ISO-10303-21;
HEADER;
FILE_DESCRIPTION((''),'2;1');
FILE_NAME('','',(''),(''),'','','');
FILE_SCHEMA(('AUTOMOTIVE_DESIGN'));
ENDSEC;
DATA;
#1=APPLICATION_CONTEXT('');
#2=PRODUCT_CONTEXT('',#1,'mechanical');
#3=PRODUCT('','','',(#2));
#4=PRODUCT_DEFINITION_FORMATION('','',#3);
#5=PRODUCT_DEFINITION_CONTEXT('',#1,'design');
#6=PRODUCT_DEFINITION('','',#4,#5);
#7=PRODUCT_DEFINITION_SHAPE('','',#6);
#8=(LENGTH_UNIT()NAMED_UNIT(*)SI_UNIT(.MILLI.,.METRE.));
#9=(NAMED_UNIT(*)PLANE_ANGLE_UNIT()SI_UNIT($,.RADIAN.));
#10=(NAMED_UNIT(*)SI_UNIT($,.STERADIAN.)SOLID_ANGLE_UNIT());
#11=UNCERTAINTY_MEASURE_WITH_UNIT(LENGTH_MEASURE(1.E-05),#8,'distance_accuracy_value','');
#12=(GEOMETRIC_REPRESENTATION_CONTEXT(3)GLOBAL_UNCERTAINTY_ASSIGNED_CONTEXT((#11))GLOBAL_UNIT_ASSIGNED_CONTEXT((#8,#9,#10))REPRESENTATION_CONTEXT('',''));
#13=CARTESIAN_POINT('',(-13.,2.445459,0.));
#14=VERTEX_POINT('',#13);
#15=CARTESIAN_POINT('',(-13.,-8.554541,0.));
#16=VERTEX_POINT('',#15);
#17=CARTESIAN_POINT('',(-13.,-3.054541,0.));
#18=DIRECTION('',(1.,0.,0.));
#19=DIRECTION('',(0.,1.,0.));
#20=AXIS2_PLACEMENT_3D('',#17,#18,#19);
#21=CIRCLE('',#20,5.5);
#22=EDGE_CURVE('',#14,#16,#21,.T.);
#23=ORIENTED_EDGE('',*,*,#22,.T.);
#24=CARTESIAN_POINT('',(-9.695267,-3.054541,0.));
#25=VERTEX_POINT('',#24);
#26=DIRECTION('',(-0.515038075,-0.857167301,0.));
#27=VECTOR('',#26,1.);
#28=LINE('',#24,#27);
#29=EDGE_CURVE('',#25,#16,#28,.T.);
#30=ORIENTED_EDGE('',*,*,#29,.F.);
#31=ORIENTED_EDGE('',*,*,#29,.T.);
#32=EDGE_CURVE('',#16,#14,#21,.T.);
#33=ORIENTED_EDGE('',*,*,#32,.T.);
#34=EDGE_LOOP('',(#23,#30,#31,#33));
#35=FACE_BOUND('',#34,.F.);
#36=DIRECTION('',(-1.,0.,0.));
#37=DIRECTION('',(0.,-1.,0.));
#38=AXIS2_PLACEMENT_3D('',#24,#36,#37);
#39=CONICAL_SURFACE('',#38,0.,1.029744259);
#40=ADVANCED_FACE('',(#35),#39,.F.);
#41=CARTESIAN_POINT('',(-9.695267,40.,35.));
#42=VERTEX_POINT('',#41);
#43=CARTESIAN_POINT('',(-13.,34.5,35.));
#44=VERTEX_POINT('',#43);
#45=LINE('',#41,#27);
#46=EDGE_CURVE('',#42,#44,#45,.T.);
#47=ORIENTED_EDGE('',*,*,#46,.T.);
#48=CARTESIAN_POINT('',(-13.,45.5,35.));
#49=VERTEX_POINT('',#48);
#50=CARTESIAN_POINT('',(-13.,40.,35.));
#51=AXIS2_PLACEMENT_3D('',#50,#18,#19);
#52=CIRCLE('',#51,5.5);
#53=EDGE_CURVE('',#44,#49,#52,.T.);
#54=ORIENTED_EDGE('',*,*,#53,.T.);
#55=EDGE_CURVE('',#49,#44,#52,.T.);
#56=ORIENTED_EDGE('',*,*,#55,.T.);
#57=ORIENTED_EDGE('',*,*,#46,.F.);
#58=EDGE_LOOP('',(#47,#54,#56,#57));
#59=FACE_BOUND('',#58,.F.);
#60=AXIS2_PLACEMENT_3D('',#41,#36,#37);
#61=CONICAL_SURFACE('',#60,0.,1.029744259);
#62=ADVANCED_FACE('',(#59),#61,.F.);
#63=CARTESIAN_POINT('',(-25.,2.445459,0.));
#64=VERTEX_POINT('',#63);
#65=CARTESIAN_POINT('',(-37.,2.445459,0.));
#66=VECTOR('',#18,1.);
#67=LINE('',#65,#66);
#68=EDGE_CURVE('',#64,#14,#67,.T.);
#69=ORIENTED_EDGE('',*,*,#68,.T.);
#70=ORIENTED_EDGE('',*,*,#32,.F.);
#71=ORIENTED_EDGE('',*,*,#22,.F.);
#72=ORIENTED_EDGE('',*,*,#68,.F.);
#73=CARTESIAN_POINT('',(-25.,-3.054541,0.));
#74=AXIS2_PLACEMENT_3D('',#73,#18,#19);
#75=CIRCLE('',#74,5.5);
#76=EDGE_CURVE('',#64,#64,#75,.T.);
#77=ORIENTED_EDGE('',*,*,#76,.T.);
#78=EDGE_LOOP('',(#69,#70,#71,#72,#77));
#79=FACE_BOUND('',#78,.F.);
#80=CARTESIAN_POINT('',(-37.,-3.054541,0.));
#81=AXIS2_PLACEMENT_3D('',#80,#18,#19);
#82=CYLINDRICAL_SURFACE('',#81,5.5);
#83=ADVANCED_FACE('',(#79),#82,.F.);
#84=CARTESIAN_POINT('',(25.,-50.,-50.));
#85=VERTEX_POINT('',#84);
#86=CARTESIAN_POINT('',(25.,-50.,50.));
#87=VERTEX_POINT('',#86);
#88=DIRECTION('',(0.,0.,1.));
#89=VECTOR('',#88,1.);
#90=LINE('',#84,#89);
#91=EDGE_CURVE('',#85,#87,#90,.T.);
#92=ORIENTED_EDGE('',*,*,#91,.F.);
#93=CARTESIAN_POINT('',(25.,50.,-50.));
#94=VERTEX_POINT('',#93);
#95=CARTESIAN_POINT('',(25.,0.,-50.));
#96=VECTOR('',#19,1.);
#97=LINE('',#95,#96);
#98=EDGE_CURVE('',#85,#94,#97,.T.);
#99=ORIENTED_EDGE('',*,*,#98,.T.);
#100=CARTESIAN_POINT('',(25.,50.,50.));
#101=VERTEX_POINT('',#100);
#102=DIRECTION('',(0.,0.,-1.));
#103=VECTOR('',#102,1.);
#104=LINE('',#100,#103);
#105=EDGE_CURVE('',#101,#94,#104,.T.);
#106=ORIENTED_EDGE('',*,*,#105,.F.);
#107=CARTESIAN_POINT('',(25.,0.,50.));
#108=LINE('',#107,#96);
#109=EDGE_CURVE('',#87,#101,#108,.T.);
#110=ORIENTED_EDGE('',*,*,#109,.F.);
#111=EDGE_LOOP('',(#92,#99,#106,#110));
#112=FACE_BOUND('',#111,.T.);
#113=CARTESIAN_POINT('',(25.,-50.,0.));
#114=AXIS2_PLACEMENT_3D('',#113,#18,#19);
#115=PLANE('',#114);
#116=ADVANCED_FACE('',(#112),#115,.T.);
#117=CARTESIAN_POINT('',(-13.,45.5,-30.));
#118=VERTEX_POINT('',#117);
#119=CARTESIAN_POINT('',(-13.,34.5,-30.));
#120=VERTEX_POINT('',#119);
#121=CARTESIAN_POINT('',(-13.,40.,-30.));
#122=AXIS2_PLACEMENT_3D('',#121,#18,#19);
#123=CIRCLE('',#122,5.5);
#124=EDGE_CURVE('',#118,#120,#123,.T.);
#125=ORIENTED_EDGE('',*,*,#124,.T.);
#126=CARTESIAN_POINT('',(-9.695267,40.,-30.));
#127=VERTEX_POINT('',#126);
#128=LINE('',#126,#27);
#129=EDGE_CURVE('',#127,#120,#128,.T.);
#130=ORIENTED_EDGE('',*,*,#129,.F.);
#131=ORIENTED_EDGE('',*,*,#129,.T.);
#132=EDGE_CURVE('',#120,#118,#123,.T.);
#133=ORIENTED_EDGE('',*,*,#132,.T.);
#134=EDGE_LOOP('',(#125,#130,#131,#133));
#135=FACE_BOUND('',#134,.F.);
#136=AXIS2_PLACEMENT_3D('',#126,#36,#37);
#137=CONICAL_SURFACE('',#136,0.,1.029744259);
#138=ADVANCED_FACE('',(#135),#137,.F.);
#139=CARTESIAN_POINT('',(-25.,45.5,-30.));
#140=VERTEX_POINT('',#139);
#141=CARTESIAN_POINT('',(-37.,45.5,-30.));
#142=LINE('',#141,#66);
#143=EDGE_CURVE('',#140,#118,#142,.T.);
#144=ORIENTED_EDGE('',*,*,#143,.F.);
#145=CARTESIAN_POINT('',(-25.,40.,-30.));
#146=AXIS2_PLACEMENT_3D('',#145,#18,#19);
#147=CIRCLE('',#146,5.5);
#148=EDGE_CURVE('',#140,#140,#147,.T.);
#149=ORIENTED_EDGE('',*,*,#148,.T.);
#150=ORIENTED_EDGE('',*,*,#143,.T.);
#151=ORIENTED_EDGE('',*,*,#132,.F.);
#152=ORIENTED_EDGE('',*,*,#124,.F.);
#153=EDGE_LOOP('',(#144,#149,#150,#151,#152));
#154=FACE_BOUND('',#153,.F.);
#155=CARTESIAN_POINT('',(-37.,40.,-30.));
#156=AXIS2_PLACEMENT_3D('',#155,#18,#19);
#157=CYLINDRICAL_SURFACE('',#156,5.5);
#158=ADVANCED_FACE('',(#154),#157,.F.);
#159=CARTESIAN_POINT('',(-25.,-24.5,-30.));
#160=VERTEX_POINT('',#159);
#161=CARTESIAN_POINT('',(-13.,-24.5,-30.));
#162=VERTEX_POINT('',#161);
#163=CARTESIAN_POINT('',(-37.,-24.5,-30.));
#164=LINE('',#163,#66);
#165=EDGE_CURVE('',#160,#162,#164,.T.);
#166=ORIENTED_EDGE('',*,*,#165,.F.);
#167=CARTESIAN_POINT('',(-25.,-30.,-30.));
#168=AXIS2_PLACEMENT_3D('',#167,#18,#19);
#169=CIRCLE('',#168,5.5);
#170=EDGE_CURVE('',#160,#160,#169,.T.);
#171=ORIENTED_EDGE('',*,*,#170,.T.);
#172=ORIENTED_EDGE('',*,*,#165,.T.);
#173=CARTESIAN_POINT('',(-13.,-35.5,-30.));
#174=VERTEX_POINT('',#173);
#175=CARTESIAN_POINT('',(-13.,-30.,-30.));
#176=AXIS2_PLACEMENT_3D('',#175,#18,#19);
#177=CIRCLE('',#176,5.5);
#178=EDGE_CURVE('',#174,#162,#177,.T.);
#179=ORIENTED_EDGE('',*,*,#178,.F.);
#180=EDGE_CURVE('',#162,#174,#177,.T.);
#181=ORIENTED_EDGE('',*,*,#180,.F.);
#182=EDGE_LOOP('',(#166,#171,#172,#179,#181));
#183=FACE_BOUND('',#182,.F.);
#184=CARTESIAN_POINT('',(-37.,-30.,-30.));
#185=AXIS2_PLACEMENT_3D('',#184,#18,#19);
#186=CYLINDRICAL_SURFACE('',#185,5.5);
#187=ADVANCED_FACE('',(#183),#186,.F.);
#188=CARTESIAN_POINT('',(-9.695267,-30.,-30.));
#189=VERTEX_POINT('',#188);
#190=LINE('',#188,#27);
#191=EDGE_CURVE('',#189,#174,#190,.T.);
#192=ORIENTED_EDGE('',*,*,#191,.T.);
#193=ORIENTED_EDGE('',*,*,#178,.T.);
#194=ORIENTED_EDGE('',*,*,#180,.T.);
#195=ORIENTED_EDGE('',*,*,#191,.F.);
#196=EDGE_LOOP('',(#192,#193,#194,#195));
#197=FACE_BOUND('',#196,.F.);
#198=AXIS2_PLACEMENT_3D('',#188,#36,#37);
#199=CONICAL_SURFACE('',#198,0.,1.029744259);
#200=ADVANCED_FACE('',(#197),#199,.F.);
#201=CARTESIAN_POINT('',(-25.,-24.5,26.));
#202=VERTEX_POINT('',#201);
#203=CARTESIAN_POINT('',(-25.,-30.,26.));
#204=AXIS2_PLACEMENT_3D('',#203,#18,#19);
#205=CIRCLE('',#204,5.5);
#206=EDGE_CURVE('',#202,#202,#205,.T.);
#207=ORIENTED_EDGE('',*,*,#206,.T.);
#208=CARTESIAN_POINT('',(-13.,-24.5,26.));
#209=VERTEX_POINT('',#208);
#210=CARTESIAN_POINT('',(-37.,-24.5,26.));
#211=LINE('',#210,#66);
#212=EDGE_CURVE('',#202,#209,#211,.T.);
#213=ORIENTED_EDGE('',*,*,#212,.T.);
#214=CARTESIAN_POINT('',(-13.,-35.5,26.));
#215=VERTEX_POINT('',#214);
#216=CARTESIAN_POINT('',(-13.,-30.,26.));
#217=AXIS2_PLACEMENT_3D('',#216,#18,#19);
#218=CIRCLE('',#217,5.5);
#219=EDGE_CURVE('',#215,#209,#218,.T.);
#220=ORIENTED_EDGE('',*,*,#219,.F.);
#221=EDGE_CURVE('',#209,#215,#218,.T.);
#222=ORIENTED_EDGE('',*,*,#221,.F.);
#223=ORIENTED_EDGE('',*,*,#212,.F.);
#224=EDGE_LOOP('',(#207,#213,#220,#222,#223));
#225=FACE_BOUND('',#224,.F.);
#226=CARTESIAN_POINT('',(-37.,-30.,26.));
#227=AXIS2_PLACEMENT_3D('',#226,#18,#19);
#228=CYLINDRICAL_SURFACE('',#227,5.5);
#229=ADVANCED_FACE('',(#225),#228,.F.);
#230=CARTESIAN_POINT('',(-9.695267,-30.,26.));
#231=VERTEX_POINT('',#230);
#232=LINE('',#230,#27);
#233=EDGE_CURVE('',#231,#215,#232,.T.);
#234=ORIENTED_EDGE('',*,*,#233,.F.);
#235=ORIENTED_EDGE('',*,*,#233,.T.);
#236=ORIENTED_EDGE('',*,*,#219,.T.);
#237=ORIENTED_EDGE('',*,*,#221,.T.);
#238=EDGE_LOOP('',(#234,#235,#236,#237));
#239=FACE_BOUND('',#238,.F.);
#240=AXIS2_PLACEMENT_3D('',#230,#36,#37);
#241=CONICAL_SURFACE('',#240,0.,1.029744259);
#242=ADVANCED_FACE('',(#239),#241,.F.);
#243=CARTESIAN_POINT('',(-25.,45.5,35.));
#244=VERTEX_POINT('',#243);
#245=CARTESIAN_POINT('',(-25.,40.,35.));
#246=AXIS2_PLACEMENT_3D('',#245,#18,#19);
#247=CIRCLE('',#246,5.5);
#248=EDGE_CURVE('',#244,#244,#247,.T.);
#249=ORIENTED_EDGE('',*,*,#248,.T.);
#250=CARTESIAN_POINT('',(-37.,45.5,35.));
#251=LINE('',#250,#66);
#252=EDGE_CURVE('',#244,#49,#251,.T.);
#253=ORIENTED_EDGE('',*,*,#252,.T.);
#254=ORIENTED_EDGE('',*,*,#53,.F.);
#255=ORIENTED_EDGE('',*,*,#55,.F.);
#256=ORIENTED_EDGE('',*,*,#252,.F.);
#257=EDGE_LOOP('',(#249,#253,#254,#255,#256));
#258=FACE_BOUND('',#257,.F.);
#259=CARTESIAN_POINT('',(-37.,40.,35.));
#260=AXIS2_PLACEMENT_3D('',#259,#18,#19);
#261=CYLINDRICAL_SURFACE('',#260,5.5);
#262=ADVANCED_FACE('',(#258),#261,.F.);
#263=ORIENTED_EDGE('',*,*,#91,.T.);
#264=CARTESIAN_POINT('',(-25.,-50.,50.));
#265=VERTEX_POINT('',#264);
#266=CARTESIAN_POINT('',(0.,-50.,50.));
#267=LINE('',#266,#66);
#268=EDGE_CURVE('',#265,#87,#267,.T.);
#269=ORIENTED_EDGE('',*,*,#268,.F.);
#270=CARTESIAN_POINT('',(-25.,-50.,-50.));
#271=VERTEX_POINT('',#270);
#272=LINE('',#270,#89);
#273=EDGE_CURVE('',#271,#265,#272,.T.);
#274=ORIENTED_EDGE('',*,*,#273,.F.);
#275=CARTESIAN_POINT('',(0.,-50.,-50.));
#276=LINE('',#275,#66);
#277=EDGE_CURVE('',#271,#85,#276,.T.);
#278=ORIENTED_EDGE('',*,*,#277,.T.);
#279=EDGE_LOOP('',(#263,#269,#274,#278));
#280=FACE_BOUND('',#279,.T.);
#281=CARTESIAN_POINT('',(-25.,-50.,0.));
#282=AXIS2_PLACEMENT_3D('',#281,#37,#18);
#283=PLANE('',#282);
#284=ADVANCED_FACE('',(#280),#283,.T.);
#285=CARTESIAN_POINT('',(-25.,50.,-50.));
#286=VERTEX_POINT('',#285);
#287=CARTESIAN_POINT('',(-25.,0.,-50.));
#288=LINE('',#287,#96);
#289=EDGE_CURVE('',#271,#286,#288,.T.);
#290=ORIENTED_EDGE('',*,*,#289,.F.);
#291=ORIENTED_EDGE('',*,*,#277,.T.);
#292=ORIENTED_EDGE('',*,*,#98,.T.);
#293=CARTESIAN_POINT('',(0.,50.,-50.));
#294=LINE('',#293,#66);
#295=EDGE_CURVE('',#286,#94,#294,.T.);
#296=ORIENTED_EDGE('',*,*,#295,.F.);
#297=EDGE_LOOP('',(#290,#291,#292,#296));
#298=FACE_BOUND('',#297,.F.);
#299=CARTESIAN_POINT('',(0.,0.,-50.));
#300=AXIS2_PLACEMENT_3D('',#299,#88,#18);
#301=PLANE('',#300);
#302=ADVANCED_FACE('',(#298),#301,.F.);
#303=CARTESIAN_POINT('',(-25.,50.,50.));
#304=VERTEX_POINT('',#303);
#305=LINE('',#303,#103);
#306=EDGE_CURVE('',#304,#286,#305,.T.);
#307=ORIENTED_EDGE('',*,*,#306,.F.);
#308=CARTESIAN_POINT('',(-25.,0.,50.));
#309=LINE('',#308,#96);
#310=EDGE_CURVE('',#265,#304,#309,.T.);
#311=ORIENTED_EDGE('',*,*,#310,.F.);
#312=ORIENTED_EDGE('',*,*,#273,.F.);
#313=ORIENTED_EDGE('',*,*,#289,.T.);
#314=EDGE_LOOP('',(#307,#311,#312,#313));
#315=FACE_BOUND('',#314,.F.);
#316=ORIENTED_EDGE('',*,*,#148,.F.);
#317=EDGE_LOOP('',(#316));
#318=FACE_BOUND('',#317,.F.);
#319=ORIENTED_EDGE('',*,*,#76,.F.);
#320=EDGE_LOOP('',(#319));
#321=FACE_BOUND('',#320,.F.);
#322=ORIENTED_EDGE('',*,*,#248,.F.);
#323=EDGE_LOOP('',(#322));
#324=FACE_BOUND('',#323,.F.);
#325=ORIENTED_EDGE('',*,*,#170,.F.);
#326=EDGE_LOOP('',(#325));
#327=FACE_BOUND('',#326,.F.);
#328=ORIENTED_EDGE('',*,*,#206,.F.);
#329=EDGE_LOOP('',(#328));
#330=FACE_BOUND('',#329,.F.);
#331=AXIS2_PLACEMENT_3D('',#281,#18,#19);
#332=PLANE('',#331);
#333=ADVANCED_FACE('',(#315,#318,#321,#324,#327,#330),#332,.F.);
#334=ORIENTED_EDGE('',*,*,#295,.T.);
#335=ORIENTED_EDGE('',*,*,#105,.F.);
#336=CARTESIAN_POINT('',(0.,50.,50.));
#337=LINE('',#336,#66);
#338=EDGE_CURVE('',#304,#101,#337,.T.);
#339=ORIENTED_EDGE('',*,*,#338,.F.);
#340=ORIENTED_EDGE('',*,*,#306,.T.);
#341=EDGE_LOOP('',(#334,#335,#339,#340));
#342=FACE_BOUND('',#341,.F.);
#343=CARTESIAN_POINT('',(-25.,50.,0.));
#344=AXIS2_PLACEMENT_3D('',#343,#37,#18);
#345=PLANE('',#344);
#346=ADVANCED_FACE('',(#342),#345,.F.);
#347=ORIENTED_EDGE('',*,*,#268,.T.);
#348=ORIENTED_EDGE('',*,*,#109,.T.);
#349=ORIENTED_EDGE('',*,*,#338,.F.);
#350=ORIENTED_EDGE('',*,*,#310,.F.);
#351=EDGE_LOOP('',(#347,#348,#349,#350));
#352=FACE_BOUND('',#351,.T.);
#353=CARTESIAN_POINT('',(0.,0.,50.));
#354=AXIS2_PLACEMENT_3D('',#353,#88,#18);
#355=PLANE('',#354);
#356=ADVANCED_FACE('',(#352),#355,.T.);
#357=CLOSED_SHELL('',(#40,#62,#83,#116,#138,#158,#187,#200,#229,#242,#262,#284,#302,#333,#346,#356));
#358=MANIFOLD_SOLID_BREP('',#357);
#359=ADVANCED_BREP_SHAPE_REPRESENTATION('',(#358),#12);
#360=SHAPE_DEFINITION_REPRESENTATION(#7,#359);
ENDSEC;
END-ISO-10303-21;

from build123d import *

# Parameters (mm, degrees)
F0_W          = 50
F0_H          = 100
F1_DEPTH      = 50
F1_DEPTH_BACK = 50
F3_D          = 11
F3_DEPTH      = 12
F3_TIP        = 3.3047334047


with BuildPart() as f1:
    # F0 (on Top) → F1 (new body, two sides)
    with BuildSketch(Plane.XY) as f1_sk:
        Rectangle(F0_W, F0_H)
    extrude(amount=F1_DEPTH)
    extrude(f1_sk.sketch, amount=-F1_DEPTH_BACK)

    # F3
    with Locations(Plane(origin=(-25, 0, 0), x_dir=(0, -1, 0), z_dir=(-1, 0, 0))):
        with Locations((-40, 35), (30, 26), (3.0545412681, 0), (30, -30), (-40, -30)):
            Hole(F3_D / 2, depth=F3_DEPTH)
            with Locations((0, 0, -(F3_DEPTH + F3_TIP / 2))):  # 118° drill point
                Cone(0, F3_D / 2, F3_TIP, mode=Mode.SUBTRACT)


solid = f1.part
